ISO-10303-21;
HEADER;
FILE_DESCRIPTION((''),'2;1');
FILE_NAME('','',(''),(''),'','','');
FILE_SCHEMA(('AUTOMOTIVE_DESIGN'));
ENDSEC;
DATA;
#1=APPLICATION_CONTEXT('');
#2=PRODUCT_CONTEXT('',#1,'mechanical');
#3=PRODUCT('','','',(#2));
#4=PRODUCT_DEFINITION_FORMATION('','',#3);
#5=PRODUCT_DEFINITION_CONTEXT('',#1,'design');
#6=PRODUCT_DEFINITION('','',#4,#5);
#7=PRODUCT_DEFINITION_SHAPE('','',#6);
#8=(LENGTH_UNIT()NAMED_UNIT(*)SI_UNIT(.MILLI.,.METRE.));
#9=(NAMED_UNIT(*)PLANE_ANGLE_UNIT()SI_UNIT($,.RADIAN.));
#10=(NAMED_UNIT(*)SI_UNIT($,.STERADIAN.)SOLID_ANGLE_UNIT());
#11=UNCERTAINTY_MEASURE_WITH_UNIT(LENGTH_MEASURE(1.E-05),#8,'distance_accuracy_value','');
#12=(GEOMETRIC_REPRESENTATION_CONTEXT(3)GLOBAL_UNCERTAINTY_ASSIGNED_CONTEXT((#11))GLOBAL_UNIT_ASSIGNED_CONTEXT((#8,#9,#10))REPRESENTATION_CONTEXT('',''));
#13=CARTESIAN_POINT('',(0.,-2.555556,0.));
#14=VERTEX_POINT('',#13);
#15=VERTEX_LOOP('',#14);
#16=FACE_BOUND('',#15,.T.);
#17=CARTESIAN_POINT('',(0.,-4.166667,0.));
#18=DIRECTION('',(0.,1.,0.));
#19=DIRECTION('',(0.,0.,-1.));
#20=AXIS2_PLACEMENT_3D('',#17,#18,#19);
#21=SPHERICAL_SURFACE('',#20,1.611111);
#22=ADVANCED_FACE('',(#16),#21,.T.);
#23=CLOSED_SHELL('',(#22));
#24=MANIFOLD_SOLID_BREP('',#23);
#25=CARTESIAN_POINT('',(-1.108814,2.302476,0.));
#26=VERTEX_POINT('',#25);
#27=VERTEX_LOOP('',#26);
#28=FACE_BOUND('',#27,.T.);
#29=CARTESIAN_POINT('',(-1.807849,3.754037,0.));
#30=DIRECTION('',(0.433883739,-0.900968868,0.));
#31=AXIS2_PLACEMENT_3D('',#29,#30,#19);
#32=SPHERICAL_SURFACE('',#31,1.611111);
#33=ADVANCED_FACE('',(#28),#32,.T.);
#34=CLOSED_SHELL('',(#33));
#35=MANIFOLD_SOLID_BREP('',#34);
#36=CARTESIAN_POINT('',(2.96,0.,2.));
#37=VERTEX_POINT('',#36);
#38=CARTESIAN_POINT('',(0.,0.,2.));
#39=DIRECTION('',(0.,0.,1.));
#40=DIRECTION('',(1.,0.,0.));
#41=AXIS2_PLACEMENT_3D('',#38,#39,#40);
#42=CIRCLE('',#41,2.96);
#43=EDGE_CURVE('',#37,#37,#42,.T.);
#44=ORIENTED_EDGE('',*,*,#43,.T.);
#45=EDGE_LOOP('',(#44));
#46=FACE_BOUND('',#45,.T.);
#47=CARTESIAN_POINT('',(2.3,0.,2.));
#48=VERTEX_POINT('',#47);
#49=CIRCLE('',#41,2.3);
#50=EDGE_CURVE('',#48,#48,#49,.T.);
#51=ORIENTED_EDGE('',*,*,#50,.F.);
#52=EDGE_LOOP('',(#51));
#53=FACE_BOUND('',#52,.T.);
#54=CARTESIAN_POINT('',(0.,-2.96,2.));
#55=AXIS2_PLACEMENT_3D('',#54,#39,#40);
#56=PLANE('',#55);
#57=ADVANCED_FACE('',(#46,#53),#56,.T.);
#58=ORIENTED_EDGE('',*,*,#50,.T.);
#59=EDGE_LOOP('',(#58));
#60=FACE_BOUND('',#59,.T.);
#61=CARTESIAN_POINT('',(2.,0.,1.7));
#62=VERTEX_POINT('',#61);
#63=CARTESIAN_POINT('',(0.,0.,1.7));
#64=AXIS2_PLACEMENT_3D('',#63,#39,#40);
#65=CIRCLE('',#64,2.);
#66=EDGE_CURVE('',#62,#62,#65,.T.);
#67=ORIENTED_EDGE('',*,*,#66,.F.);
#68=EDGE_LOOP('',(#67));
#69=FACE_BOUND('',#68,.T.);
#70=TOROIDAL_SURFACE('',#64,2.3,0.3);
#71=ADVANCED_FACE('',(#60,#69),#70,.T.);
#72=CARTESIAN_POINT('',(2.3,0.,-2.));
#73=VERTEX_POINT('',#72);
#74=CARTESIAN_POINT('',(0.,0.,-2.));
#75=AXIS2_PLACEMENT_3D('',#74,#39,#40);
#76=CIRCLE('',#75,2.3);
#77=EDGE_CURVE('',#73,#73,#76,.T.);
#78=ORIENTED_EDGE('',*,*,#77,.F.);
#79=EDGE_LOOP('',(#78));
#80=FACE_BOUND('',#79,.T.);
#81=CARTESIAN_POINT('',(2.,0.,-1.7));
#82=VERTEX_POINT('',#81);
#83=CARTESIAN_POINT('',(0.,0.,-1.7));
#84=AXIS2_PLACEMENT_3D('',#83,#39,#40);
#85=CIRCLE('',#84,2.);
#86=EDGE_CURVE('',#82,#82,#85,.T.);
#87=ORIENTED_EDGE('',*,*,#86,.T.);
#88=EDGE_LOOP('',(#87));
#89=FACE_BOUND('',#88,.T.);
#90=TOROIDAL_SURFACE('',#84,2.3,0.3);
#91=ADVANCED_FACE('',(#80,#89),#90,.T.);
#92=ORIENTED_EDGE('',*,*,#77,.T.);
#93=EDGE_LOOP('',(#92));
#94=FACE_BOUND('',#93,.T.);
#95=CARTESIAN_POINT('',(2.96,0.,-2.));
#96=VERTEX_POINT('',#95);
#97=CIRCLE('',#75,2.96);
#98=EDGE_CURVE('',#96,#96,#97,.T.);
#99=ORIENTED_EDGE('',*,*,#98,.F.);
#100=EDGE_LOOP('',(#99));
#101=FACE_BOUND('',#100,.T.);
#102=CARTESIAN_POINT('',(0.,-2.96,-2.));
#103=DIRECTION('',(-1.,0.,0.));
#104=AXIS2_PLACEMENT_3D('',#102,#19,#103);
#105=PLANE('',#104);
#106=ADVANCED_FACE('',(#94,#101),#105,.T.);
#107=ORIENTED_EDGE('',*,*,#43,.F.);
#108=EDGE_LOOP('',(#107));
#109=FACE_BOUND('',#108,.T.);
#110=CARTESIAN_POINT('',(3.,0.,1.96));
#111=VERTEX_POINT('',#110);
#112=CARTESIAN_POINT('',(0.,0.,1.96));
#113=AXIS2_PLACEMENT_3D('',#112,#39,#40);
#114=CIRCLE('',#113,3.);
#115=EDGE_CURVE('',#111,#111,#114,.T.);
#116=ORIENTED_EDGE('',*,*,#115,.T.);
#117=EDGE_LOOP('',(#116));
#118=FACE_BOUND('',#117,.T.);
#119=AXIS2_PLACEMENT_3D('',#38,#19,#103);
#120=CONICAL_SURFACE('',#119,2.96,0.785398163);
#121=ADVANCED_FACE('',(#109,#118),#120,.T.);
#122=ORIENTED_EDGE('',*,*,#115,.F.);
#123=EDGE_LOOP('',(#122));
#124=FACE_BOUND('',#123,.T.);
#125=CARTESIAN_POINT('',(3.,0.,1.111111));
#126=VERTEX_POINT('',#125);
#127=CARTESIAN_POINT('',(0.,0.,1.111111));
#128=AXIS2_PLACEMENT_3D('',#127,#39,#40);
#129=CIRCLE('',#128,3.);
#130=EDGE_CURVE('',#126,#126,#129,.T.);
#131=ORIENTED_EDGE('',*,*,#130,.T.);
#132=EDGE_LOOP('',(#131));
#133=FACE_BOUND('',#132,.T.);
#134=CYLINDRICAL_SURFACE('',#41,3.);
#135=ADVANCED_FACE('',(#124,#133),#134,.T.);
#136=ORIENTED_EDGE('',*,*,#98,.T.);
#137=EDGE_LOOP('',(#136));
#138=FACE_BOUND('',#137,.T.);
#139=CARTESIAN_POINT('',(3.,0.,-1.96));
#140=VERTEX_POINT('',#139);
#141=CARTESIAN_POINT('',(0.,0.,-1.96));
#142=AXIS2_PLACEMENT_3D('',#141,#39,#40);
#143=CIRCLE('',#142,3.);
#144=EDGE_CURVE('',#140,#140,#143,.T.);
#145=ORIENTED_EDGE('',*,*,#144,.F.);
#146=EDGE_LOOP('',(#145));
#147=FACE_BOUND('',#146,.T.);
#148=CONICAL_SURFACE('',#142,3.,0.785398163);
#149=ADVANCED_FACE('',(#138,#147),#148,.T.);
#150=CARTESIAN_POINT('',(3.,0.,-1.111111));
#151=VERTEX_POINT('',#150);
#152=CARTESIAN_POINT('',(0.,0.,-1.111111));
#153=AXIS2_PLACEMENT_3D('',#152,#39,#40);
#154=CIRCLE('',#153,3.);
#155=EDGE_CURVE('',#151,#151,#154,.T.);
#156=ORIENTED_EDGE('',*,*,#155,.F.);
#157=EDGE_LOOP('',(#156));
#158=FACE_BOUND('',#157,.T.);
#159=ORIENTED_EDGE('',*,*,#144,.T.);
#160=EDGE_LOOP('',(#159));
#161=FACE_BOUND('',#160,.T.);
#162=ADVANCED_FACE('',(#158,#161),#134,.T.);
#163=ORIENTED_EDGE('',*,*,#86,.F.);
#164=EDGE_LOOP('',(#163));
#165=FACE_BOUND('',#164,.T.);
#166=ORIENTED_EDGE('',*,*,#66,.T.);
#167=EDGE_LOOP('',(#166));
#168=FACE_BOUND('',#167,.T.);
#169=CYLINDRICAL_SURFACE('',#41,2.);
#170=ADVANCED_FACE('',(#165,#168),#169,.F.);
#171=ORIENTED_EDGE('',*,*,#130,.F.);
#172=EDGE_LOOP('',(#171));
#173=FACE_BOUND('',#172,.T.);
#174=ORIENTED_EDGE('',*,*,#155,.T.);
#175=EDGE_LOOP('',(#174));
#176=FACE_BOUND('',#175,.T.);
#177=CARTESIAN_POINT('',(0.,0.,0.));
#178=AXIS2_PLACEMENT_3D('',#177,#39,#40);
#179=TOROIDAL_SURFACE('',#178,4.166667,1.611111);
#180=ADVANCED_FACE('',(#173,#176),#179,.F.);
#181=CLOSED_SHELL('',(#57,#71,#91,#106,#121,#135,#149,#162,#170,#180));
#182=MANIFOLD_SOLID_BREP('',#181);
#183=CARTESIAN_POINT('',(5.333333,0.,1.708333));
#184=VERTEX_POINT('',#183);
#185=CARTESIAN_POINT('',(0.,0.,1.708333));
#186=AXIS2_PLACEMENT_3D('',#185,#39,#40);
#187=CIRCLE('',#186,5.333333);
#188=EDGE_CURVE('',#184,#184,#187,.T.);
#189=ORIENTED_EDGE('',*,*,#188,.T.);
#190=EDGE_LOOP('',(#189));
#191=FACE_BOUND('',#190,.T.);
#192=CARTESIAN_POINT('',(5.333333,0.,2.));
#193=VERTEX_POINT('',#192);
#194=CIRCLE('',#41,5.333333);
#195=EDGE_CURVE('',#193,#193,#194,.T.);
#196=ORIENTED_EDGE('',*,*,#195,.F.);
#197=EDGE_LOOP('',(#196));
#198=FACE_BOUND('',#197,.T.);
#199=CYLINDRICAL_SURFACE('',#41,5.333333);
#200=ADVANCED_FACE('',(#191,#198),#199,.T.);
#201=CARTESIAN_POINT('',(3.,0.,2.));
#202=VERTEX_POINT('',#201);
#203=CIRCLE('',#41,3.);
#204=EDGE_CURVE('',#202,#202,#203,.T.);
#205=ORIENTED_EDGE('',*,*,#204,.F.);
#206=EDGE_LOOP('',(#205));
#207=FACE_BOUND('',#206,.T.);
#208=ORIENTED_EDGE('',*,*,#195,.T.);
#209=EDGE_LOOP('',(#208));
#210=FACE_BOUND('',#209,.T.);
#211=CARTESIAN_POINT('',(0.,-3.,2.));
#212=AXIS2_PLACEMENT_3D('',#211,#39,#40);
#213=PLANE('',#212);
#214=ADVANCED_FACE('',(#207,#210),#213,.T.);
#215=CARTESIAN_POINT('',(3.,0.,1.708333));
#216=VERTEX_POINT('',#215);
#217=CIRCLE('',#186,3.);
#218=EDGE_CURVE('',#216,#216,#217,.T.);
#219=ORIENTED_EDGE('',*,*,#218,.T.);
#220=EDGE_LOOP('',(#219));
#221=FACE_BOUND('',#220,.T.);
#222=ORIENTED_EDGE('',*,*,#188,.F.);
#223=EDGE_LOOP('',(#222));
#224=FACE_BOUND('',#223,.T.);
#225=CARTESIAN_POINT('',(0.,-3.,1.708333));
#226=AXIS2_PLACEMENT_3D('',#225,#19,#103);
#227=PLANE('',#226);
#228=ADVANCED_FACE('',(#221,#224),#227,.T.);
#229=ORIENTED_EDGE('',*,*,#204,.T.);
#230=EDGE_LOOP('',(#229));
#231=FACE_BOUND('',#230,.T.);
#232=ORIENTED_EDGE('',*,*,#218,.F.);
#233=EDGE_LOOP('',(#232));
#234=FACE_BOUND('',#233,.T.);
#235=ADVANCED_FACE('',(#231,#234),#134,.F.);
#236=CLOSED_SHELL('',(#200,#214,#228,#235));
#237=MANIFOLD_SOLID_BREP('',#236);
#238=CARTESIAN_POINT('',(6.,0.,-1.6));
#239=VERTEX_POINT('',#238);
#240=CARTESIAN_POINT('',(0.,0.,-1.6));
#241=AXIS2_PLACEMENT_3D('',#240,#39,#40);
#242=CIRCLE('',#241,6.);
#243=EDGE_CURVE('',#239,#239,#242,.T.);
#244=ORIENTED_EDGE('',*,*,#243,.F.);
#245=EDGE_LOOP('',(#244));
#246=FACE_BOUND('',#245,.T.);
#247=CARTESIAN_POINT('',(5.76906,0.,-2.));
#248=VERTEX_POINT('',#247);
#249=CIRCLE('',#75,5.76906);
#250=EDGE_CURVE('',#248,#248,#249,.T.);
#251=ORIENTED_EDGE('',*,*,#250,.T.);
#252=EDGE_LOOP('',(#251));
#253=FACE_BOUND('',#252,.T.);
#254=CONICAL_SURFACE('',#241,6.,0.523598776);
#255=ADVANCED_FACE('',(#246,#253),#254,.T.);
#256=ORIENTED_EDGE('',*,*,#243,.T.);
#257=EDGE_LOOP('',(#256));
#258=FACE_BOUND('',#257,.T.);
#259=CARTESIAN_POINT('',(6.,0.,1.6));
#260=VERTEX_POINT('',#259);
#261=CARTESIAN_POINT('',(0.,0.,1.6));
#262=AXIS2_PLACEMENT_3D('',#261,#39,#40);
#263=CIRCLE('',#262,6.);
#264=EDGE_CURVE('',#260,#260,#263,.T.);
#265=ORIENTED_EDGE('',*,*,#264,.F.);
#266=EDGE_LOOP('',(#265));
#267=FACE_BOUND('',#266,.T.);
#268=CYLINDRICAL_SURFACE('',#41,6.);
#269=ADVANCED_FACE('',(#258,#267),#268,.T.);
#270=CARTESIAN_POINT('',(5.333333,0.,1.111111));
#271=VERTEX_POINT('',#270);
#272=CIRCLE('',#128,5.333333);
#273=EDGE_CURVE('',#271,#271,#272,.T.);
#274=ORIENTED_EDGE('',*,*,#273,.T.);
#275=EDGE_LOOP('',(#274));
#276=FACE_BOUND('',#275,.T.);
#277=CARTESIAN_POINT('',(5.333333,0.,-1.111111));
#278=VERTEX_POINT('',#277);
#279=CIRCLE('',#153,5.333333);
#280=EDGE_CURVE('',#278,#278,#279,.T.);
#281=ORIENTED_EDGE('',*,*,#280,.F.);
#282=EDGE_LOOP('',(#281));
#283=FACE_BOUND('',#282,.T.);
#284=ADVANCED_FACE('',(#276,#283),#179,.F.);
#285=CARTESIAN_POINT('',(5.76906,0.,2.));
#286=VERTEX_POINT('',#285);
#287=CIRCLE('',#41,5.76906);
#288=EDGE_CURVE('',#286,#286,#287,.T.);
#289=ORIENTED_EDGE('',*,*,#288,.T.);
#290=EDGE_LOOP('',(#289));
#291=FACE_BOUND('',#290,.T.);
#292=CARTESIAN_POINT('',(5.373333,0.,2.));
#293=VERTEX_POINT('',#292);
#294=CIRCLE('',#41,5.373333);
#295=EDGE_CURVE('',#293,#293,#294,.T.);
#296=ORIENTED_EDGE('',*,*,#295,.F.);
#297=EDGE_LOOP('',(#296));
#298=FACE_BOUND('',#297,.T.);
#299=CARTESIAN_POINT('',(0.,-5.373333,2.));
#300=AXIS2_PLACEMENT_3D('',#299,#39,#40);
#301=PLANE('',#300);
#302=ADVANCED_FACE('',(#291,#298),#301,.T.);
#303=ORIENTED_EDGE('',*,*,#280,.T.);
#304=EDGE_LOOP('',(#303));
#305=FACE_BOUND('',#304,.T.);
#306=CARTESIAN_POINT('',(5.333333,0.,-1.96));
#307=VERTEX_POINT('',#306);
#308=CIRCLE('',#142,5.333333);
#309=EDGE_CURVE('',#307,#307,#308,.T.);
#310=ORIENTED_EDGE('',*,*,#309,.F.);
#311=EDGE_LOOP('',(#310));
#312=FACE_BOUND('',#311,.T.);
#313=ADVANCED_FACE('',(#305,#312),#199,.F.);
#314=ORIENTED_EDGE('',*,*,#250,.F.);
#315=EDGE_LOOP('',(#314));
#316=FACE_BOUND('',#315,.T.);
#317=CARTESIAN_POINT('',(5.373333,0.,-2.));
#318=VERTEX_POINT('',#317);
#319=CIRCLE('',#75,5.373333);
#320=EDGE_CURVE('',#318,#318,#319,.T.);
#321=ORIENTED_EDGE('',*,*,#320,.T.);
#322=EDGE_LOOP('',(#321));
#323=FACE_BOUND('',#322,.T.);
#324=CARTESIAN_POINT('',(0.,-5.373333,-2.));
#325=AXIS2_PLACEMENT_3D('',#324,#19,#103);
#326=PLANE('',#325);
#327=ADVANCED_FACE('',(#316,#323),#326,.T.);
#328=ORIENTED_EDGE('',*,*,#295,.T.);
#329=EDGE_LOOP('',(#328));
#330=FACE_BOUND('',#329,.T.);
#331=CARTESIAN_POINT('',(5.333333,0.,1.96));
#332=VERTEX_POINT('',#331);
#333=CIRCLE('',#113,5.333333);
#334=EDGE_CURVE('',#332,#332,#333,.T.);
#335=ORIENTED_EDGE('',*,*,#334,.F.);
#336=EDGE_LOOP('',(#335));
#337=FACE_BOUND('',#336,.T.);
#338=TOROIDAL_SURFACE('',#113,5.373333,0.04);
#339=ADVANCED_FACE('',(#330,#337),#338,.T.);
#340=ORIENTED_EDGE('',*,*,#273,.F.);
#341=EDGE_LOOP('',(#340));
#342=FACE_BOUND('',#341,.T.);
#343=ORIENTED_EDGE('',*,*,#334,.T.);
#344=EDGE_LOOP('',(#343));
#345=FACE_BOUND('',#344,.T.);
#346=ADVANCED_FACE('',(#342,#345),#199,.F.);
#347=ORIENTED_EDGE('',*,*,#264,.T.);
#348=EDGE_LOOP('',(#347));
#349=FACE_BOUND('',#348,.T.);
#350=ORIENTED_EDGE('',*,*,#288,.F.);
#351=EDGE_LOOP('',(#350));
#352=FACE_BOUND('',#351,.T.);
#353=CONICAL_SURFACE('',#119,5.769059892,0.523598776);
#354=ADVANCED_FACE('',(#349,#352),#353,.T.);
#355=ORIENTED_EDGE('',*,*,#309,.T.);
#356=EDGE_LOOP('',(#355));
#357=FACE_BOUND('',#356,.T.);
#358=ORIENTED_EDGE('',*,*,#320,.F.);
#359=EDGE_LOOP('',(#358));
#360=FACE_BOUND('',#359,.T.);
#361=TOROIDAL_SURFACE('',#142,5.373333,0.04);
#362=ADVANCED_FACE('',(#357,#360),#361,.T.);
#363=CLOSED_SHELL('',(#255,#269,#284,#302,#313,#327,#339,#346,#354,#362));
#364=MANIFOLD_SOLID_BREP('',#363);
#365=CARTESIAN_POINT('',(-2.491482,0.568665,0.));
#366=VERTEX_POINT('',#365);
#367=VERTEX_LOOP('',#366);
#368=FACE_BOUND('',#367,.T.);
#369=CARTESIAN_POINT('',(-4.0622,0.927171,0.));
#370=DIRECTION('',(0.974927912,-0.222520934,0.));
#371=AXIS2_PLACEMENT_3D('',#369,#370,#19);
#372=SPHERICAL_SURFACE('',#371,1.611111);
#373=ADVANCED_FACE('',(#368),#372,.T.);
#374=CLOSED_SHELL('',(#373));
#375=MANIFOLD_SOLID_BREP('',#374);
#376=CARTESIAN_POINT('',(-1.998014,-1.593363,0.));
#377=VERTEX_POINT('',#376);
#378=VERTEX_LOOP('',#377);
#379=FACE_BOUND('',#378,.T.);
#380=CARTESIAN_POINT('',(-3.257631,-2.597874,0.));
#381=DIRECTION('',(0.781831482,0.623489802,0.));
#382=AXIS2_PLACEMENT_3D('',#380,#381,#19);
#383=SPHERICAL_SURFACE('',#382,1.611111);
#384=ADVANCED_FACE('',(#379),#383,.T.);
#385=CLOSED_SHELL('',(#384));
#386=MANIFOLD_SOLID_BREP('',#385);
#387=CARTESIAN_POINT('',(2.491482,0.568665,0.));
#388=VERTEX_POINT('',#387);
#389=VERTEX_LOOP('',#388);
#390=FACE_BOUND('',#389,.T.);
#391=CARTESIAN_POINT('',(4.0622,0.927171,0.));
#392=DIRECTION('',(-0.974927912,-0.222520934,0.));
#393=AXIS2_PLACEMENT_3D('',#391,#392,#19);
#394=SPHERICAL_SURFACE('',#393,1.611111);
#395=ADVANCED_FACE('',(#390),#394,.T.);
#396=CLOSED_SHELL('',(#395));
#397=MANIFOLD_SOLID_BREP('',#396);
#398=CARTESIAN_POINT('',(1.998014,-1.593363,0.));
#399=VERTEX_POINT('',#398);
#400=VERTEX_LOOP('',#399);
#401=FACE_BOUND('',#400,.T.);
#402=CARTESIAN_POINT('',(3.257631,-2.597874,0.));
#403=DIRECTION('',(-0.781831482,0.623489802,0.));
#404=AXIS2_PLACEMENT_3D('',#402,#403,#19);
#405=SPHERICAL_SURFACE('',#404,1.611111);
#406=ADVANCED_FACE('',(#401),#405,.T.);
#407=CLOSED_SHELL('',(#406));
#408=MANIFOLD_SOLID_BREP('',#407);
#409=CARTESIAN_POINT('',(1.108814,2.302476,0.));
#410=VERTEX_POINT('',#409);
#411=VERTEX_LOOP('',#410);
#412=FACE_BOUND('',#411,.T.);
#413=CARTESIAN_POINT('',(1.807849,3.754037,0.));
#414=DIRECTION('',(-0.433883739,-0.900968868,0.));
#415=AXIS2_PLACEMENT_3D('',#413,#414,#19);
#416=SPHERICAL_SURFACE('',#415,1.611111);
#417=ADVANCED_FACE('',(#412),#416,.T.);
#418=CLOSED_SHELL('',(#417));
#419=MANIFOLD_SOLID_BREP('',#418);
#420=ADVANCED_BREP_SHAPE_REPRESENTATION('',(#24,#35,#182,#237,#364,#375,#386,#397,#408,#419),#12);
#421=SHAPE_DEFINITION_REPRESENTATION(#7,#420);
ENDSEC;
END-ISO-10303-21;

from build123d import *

# Parameters (mm, degrees)
SKETCH4_W         = 0.291666667
SKETCH4_H         = 2.333333333
CIRPATTERN1_COUNT = 7


with BuildPart() as part:
    # Sketch3 → Revolve1 (revolve)
    with BuildSketch(Plane(origin=(0, 0, 0), x_dir=(0, 0, -1), z_dir=(1, 0, 0)), mode=Mode.PRIVATE) as revolve1_sk:
        with BuildLine():
            Line((-1.6, -6), (1.6, -6))
            Line((1.6, -6), (2, -5.769059892))
            Line((2, -5.769059892), (2, -5.373333333))
            ThreePointArc((2, -5.373333333), (1.988284271, -5.345049062), (1.96, -5.333333333))
            Line((1.96, -5.333333333), (1.111111111, -5.333333333))
            ThreePointArc((1.111111111, -5.333333333), (0, -5.777777778), (-1.111111111, -5.333333333))
            Line((-1.111111111, -5.333333333), (-1.96, -5.333333333))
            ThreePointArc((-1.96, -5.333333333), (-1.988284271, -5.345049062), (-2, -5.373333333))
            Line((-2, -5.373333333), (-2, -5.769059892))
            Line((-2, -5.769059892), (-1.6, -6))
        make_face()
        with BuildLine():
            Line((-1.7, -2), (1.7, -2))
            ThreePointArc((1.7, -2), (1.912132034, -2.087867966), (2, -2.3))
            Line((2, -2.3), (2, -2.96))
            Line((2, -2.96), (1.96, -3))
            Line((1.96, -3), (1.111111111, -3))
            ThreePointArc((1.111111111, -3), (0, -2.555555556), (-1.111111111, -3))
            Line((-1.111111111, -3), (-1.96, -3))
            Line((-1.96, -3), (-2, -2.96))
            Line((-2, -2.96), (-2, -2.3))
            ThreePointArc((-2, -2.3), (-1.912132034, -2.087867966), (-1.7, -2))
        make_face()
    revolve(revolve1_sk.sketch.rotate(Axis((0, 0, 2), (0, 0, -1)), 270), axis=Axis((0, 0, 2), (0, 0, -1)))


with BuildPart() as body_2:
    # Sketch4 → Revolve2 (revolve)
    with BuildSketch(Plane(origin=(0, 0, 0), x_dir=(0, 0, -1), z_dir=(1, 0, 0)), mode=Mode.PRIVATE) as revolve2_sk:
        with Locations((-1.854166667, -4.166666667)):
            Rectangle(SKETCH4_W, SKETCH4_H)
    revolve(revolve2_sk.sketch.rotate(Axis((0, 0, 2), (0, 0, -1)), 270), axis=Axis((0, 0, 2), (0, 0, -1)))


with BuildPart() as body_3:
    # Sketch5 → Revolve3 (revolve)
    with BuildSketch(Plane(origin=(0, 0, 0), x_dir=(0, 0, -1), z_dir=(1, 0, 0))):
        with BuildLine():
            Line((0, -2.555555556), (0, -5.777777778))
            ThreePointArc((0, -5.777777778), (-1.611111111, -4.166666667), (0, -2.555555556))
        make_face()
    revolve(axis=Axis((0, 0, 0), (0, -1, 0)))


with BuildPart() as cirpattern1_1:
    # CirPattern1: pattern copy
    add(body_3.part.rotate(Axis((0, 0, 0), (0, 0, 1)), 1 * 360 / CIRPATTERN1_COUNT))


with BuildPart() as cirpattern1_2:
    # CirPattern1: pattern copy
    add(body_3.part.rotate(Axis((0, 0, 0), (0, 0, 1)), 2 * 360 / CIRPATTERN1_COUNT))


with BuildPart() as cirpattern1_3:
    # CirPattern1: pattern copy
    add(body_3.part.rotate(Axis((0, 0, 0), (0, 0, 1)), 3 * 360 / CIRPATTERN1_COUNT))


with BuildPart() as cirpattern1_4:
    # CirPattern1: pattern copy
    add(body_3.part.rotate(Axis((0, 0, 0), (0, 0, 1)), 4 * 360 / CIRPATTERN1_COUNT))


with BuildPart() as cirpattern1_5:
    # CirPattern1: pattern copy
    add(body_3.part.rotate(Axis((0, 0, 0), (0, 0, 1)), 5 * 360 / CIRPATTERN1_COUNT))


with BuildPart() as cirpattern1_6:
    # CirPattern1: pattern copy
    add(body_3.part.rotate(Axis((0, 0, 0), (0, 0, 1)), 6 * 360 / CIRPATTERN1_COUNT))


solid = Compound([part.part, body_2.part, body_3.part, cirpattern1_1.part, cirpattern1_2.part, cirpattern1_3.part, cirpattern1_4.part, cirpattern1_5.part, cirpattern1_6.part])
